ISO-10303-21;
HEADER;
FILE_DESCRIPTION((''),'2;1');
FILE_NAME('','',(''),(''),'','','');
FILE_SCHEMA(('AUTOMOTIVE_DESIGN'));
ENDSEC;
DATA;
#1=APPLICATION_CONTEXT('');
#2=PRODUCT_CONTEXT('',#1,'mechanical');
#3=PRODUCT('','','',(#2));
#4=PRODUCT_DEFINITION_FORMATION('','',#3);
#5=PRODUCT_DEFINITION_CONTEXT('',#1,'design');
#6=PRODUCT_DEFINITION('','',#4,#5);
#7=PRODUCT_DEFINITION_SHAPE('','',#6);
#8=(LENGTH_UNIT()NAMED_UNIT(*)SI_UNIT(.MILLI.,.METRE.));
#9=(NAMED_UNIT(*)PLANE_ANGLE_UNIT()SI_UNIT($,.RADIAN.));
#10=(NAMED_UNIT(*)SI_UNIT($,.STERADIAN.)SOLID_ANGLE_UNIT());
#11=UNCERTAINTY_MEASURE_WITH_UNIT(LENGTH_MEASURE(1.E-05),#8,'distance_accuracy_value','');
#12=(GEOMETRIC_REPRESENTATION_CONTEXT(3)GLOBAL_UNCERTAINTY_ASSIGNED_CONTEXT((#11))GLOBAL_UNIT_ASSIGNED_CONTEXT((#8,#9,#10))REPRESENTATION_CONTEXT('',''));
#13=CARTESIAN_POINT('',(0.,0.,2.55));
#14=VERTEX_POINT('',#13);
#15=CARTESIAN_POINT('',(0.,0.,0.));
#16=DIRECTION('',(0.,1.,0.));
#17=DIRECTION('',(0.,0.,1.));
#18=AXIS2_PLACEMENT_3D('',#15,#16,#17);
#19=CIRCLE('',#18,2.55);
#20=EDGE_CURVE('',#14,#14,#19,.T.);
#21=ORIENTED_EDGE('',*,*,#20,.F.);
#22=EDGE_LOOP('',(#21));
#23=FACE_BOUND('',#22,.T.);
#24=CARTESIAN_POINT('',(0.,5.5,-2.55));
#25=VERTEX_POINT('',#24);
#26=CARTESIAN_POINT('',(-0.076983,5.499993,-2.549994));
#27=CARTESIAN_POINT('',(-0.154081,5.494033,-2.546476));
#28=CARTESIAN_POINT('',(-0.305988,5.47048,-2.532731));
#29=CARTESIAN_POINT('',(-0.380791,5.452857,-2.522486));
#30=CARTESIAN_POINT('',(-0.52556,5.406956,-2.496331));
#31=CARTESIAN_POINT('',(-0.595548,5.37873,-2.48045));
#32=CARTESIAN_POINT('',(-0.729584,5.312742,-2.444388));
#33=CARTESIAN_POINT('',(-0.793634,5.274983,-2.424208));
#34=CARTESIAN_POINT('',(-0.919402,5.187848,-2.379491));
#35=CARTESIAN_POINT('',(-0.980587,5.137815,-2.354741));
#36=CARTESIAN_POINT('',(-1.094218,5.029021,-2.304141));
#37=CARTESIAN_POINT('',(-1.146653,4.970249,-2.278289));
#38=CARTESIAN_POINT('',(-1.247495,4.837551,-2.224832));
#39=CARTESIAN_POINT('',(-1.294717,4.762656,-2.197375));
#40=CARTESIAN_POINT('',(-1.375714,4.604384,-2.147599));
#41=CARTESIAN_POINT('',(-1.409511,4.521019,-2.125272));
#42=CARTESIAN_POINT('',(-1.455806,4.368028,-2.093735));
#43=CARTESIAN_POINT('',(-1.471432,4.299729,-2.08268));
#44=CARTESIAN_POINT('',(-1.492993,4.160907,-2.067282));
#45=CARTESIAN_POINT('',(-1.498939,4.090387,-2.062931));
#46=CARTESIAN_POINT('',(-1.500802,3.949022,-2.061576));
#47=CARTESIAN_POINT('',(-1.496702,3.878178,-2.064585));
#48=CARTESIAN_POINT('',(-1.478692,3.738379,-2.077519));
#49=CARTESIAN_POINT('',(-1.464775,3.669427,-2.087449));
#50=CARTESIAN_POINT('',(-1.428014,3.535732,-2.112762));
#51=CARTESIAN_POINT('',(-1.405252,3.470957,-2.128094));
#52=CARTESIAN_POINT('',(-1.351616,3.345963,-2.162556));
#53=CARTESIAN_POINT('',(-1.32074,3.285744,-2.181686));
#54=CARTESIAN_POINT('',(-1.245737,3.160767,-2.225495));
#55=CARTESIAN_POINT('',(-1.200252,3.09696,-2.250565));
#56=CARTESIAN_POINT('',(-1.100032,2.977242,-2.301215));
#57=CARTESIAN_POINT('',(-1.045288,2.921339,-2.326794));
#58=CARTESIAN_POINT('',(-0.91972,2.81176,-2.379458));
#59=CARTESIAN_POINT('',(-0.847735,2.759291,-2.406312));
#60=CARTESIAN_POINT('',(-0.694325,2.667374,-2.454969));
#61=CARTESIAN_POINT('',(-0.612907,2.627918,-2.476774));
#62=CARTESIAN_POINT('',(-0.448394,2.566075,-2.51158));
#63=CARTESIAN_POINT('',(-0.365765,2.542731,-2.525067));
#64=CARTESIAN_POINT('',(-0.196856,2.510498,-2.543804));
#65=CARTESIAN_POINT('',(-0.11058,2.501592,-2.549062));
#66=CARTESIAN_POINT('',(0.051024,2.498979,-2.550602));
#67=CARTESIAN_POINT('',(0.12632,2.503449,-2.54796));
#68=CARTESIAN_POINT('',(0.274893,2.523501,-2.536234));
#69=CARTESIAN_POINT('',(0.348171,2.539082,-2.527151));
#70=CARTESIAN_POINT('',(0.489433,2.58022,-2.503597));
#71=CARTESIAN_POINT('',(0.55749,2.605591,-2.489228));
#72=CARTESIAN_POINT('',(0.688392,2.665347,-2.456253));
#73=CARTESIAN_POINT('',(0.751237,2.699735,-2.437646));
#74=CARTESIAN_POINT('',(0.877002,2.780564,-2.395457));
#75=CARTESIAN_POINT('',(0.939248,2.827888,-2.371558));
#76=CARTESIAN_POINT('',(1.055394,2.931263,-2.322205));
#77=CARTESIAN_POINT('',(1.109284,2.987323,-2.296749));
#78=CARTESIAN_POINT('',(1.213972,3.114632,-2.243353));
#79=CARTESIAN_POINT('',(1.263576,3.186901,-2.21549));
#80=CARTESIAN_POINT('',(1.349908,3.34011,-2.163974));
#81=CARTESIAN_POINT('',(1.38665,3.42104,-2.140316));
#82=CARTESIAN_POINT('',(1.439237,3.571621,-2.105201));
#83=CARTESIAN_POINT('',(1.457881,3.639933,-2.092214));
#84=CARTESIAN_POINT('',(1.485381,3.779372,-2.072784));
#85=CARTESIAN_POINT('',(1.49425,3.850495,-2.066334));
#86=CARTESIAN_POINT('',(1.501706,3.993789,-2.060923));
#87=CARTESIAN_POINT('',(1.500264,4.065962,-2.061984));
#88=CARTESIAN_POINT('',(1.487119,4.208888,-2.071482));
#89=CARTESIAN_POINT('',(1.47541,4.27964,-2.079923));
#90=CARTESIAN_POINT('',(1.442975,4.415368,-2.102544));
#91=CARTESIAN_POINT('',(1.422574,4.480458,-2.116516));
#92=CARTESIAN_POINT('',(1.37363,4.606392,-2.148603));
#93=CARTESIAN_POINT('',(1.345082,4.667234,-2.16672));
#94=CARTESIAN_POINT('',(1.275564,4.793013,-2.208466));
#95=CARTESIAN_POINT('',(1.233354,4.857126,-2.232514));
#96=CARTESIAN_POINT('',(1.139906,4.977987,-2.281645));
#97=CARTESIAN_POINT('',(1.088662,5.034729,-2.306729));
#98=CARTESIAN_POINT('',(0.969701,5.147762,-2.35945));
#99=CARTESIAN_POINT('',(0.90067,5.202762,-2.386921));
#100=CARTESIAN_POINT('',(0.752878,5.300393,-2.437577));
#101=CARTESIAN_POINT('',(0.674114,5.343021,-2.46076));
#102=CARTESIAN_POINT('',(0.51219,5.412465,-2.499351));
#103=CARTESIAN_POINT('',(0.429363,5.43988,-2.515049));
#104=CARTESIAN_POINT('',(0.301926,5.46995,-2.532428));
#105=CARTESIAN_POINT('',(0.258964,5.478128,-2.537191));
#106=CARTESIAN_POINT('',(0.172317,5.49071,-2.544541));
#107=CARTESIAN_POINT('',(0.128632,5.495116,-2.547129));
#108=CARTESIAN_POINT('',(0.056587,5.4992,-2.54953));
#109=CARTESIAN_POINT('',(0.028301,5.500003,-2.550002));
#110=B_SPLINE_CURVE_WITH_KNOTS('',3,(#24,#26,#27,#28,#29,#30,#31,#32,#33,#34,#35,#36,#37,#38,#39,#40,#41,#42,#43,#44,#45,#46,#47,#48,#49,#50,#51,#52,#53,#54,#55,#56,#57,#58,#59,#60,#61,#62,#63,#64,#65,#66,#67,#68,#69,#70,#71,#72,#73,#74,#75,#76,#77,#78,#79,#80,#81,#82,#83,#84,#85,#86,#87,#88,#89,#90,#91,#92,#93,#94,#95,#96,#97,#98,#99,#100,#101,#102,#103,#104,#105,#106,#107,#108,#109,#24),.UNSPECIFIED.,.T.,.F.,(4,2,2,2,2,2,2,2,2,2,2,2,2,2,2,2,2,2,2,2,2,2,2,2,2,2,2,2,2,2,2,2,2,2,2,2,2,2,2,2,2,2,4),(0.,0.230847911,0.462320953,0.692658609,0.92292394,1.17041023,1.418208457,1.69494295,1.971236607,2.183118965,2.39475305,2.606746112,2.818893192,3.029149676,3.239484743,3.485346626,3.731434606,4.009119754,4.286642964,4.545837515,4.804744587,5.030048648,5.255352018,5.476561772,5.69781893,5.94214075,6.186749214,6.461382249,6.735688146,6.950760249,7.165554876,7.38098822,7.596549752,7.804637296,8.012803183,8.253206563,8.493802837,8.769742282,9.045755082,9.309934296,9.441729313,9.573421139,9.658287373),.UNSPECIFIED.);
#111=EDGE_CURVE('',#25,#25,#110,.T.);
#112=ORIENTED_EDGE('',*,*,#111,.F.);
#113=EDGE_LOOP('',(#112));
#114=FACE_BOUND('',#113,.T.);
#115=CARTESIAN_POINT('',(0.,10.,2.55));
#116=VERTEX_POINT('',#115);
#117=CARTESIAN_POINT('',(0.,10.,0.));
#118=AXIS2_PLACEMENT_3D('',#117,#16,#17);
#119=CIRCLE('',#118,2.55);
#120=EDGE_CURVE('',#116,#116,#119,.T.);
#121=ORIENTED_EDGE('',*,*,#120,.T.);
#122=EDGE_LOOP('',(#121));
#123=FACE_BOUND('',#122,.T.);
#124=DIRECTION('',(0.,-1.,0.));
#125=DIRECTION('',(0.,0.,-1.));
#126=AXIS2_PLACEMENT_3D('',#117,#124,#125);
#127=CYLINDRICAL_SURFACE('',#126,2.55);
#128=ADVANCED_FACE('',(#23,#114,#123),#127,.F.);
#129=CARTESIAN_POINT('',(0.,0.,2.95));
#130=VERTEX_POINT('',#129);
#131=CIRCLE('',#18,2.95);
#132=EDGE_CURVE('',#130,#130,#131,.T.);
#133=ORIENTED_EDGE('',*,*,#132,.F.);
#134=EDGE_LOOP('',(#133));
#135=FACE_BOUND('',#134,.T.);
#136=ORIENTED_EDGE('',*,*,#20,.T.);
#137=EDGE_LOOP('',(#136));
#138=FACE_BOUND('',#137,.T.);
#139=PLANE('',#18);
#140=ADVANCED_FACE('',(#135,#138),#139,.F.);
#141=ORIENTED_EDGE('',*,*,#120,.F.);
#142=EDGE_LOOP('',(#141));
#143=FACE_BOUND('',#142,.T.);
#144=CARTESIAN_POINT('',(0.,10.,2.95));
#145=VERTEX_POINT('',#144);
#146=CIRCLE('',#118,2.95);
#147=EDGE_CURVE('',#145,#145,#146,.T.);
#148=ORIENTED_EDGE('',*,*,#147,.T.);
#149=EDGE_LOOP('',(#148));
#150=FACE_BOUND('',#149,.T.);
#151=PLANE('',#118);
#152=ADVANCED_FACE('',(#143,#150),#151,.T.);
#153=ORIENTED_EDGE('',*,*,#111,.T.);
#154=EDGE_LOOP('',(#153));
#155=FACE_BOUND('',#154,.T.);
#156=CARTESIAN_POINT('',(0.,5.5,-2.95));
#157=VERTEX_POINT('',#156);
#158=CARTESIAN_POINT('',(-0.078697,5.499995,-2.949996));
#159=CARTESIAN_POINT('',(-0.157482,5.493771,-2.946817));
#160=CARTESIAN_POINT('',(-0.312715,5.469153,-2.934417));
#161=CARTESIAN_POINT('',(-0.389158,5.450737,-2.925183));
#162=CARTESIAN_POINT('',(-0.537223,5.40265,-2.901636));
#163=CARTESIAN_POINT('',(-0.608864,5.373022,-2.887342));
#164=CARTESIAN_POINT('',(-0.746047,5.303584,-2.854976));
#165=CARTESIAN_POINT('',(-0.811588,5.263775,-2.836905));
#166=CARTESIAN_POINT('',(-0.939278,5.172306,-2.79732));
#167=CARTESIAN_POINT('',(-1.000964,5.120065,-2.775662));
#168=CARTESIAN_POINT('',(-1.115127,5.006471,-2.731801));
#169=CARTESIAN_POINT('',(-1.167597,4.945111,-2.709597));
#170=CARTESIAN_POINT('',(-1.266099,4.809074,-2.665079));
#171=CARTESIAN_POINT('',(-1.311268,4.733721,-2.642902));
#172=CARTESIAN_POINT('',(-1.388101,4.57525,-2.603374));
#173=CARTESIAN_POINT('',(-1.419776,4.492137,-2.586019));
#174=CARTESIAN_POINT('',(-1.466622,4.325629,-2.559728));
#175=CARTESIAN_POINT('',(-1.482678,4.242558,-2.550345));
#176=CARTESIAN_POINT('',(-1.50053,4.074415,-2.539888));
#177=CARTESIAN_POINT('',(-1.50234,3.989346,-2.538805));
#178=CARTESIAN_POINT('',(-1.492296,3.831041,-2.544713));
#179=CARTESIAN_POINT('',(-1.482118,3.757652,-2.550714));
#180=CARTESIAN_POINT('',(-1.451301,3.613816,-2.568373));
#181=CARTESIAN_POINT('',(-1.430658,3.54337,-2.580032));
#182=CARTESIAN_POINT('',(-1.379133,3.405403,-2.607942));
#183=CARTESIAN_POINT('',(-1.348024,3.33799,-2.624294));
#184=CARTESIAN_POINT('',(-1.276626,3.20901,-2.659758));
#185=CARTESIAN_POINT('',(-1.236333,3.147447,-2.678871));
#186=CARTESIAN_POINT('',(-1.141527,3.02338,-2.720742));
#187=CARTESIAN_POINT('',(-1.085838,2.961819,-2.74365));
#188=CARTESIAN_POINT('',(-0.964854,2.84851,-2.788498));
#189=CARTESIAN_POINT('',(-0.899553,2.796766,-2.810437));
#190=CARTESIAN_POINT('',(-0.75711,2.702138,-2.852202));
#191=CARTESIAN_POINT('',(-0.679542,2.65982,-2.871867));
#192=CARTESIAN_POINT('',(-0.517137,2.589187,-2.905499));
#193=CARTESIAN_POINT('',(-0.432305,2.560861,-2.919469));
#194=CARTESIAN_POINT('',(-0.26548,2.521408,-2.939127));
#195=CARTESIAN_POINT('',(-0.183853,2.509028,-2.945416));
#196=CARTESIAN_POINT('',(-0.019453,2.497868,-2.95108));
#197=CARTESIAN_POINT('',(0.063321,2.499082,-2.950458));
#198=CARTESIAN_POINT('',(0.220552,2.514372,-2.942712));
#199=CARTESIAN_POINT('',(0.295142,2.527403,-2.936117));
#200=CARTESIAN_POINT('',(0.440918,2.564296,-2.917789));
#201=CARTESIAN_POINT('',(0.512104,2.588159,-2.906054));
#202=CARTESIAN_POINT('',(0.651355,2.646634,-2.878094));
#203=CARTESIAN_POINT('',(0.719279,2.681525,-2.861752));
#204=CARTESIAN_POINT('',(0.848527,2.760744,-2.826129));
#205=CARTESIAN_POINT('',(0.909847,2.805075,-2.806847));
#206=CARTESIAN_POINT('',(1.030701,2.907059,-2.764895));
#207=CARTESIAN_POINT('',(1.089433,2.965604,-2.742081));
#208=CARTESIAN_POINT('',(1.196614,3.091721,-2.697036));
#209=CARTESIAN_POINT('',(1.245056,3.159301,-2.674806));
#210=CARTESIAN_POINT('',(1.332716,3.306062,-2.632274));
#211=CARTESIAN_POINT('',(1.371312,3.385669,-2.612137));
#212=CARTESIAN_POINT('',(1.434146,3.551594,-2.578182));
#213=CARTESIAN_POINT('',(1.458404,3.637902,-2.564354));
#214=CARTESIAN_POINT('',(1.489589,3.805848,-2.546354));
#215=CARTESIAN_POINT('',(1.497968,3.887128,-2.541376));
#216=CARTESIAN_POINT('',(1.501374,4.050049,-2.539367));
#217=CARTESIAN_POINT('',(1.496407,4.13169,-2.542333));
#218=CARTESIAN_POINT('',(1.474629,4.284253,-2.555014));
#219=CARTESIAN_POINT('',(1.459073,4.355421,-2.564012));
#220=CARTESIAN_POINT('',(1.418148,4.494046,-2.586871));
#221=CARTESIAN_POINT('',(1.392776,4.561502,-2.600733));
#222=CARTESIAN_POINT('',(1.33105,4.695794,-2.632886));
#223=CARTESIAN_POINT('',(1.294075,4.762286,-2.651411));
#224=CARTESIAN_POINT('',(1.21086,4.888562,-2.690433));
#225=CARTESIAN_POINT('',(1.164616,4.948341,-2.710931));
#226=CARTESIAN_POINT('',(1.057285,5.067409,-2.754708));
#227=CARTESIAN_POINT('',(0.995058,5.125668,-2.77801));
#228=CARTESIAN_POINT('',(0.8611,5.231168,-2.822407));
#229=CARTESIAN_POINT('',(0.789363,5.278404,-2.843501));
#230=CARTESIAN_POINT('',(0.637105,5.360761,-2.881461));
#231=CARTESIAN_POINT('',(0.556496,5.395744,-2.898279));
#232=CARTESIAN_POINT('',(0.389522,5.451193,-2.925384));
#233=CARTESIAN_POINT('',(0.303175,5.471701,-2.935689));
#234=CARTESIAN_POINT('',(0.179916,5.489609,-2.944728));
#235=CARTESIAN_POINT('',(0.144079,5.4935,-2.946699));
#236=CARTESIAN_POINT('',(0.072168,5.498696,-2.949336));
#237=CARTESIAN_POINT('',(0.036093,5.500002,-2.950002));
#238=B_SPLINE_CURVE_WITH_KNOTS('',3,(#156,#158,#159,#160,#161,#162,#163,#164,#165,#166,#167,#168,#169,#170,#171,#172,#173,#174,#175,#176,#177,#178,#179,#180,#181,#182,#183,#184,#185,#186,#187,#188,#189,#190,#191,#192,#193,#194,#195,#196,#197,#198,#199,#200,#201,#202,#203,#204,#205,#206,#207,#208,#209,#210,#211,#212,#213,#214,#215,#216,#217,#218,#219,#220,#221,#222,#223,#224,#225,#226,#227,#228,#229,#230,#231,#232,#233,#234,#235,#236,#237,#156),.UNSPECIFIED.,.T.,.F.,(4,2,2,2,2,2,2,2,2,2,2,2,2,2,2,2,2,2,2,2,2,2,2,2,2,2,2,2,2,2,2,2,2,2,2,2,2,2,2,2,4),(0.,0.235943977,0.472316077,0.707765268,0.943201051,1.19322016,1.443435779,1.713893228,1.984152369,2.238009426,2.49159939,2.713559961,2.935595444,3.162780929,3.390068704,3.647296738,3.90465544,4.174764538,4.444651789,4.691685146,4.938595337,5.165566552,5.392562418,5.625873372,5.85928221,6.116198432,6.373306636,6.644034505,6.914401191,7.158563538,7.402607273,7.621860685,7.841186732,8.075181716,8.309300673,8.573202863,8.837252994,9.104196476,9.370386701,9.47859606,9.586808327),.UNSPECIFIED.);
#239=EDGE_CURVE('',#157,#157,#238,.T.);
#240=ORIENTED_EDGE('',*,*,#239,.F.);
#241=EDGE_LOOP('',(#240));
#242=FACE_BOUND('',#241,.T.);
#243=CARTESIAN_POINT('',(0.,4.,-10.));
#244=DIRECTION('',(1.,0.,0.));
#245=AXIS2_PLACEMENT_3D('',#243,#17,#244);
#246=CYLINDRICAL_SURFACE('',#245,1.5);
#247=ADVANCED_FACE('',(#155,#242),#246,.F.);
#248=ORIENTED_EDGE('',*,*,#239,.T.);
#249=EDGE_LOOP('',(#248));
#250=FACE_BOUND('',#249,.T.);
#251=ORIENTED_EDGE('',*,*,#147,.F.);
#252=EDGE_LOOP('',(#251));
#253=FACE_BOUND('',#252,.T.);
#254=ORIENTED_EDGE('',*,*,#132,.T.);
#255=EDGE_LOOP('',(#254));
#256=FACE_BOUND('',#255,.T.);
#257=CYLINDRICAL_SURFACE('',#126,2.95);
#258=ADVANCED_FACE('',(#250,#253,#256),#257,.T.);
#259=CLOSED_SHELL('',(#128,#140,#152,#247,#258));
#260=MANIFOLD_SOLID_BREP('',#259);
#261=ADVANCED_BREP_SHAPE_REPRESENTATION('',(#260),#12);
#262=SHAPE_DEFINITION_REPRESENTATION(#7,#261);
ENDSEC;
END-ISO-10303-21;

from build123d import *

# Parameters (mm, degrees)
SKETCH1_R           = 2.95
SKETCH1_R_2         = 2.55
BOSS_EXTRUDE1_DEPTH = 10
SKETCH2_R           = 1.5
CUT_EXTRUDE1_DEPTH  = 10


with BuildPart() as part:
    # Sketch1 → Boss-Extrude1 (new body)
    with BuildSketch(Plane(origin=(0, 0, 0), x_dir=(1, 0, 0), z_dir=(0, 1, 0))):
        with Locations(Location((0, 0, 0), (0, 0, 270))):
            Circle(SKETCH1_R)
        with Locations(Location((0, 0, 0), (0, 0, 270))):
            Circle(SKETCH1_R_2, mode=Mode.SUBTRACT)
    extrude(amount=BOSS_EXTRUDE1_DEPTH)

    # Sketch2 → Cut-Extrude1 (cut)
    with BuildSketch(Plane.XY):
        with Locations(Location((0, 4, 0), (0, 0, 90))):
            Circle(SKETCH2_R)
    extrude(amount=-CUT_EXTRUDE1_DEPTH, mode=Mode.SUBTRACT)


solid = part.part
